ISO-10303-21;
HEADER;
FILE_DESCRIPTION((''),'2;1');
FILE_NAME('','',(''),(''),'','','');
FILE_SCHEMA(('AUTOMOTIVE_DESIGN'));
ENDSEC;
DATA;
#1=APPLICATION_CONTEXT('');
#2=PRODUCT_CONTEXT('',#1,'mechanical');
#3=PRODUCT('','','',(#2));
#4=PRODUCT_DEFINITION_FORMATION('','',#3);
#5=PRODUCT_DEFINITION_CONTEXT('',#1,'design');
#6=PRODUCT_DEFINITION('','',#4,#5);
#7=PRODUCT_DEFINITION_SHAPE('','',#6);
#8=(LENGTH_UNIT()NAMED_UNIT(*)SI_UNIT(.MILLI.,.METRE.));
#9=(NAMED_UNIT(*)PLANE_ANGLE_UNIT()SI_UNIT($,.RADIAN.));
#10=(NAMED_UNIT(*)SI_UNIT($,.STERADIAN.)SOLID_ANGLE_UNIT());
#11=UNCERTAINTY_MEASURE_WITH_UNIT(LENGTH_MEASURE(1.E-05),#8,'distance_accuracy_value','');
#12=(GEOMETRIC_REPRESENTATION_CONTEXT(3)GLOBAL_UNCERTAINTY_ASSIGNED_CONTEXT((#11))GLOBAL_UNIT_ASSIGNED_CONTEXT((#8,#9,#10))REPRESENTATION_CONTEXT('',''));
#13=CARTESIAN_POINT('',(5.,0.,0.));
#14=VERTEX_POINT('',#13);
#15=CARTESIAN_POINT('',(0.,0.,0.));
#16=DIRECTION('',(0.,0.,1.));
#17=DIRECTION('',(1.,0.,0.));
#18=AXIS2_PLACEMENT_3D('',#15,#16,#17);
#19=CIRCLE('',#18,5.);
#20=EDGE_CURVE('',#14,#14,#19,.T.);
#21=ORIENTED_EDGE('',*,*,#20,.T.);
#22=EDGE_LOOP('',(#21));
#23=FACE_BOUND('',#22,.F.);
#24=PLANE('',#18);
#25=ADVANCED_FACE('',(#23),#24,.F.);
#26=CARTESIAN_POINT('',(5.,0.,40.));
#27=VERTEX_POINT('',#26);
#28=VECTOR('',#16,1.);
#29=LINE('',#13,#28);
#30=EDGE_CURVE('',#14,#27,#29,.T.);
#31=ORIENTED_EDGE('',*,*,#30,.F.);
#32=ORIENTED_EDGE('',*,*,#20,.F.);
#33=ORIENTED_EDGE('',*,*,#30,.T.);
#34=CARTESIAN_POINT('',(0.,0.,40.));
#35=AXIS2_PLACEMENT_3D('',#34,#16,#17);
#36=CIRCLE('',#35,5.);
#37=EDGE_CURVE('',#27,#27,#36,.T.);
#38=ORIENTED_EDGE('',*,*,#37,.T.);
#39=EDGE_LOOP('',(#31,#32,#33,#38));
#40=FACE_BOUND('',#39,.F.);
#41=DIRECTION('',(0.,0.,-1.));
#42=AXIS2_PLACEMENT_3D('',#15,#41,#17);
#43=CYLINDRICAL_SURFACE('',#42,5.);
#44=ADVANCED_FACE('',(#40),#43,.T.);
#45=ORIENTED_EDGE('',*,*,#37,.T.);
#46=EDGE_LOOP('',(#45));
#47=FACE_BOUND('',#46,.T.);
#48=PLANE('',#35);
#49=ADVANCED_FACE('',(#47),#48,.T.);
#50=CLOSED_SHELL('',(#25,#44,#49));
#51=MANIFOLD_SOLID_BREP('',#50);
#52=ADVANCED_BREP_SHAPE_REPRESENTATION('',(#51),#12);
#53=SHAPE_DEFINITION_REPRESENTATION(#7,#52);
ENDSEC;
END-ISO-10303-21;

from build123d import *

# Parameters (mm, degrees)
ESQUISSE1_R      = 5
EXTRUSION1_DEPTH = 40


with BuildPart() as part:
    # Esquisse1 → Extrusion1 (new body)
    with BuildSketch(Plane.XY):
        Circle(ESQUISSE1_R)
    extrude(amount=EXTRUSION1_DEPTH)


solid = part.part
